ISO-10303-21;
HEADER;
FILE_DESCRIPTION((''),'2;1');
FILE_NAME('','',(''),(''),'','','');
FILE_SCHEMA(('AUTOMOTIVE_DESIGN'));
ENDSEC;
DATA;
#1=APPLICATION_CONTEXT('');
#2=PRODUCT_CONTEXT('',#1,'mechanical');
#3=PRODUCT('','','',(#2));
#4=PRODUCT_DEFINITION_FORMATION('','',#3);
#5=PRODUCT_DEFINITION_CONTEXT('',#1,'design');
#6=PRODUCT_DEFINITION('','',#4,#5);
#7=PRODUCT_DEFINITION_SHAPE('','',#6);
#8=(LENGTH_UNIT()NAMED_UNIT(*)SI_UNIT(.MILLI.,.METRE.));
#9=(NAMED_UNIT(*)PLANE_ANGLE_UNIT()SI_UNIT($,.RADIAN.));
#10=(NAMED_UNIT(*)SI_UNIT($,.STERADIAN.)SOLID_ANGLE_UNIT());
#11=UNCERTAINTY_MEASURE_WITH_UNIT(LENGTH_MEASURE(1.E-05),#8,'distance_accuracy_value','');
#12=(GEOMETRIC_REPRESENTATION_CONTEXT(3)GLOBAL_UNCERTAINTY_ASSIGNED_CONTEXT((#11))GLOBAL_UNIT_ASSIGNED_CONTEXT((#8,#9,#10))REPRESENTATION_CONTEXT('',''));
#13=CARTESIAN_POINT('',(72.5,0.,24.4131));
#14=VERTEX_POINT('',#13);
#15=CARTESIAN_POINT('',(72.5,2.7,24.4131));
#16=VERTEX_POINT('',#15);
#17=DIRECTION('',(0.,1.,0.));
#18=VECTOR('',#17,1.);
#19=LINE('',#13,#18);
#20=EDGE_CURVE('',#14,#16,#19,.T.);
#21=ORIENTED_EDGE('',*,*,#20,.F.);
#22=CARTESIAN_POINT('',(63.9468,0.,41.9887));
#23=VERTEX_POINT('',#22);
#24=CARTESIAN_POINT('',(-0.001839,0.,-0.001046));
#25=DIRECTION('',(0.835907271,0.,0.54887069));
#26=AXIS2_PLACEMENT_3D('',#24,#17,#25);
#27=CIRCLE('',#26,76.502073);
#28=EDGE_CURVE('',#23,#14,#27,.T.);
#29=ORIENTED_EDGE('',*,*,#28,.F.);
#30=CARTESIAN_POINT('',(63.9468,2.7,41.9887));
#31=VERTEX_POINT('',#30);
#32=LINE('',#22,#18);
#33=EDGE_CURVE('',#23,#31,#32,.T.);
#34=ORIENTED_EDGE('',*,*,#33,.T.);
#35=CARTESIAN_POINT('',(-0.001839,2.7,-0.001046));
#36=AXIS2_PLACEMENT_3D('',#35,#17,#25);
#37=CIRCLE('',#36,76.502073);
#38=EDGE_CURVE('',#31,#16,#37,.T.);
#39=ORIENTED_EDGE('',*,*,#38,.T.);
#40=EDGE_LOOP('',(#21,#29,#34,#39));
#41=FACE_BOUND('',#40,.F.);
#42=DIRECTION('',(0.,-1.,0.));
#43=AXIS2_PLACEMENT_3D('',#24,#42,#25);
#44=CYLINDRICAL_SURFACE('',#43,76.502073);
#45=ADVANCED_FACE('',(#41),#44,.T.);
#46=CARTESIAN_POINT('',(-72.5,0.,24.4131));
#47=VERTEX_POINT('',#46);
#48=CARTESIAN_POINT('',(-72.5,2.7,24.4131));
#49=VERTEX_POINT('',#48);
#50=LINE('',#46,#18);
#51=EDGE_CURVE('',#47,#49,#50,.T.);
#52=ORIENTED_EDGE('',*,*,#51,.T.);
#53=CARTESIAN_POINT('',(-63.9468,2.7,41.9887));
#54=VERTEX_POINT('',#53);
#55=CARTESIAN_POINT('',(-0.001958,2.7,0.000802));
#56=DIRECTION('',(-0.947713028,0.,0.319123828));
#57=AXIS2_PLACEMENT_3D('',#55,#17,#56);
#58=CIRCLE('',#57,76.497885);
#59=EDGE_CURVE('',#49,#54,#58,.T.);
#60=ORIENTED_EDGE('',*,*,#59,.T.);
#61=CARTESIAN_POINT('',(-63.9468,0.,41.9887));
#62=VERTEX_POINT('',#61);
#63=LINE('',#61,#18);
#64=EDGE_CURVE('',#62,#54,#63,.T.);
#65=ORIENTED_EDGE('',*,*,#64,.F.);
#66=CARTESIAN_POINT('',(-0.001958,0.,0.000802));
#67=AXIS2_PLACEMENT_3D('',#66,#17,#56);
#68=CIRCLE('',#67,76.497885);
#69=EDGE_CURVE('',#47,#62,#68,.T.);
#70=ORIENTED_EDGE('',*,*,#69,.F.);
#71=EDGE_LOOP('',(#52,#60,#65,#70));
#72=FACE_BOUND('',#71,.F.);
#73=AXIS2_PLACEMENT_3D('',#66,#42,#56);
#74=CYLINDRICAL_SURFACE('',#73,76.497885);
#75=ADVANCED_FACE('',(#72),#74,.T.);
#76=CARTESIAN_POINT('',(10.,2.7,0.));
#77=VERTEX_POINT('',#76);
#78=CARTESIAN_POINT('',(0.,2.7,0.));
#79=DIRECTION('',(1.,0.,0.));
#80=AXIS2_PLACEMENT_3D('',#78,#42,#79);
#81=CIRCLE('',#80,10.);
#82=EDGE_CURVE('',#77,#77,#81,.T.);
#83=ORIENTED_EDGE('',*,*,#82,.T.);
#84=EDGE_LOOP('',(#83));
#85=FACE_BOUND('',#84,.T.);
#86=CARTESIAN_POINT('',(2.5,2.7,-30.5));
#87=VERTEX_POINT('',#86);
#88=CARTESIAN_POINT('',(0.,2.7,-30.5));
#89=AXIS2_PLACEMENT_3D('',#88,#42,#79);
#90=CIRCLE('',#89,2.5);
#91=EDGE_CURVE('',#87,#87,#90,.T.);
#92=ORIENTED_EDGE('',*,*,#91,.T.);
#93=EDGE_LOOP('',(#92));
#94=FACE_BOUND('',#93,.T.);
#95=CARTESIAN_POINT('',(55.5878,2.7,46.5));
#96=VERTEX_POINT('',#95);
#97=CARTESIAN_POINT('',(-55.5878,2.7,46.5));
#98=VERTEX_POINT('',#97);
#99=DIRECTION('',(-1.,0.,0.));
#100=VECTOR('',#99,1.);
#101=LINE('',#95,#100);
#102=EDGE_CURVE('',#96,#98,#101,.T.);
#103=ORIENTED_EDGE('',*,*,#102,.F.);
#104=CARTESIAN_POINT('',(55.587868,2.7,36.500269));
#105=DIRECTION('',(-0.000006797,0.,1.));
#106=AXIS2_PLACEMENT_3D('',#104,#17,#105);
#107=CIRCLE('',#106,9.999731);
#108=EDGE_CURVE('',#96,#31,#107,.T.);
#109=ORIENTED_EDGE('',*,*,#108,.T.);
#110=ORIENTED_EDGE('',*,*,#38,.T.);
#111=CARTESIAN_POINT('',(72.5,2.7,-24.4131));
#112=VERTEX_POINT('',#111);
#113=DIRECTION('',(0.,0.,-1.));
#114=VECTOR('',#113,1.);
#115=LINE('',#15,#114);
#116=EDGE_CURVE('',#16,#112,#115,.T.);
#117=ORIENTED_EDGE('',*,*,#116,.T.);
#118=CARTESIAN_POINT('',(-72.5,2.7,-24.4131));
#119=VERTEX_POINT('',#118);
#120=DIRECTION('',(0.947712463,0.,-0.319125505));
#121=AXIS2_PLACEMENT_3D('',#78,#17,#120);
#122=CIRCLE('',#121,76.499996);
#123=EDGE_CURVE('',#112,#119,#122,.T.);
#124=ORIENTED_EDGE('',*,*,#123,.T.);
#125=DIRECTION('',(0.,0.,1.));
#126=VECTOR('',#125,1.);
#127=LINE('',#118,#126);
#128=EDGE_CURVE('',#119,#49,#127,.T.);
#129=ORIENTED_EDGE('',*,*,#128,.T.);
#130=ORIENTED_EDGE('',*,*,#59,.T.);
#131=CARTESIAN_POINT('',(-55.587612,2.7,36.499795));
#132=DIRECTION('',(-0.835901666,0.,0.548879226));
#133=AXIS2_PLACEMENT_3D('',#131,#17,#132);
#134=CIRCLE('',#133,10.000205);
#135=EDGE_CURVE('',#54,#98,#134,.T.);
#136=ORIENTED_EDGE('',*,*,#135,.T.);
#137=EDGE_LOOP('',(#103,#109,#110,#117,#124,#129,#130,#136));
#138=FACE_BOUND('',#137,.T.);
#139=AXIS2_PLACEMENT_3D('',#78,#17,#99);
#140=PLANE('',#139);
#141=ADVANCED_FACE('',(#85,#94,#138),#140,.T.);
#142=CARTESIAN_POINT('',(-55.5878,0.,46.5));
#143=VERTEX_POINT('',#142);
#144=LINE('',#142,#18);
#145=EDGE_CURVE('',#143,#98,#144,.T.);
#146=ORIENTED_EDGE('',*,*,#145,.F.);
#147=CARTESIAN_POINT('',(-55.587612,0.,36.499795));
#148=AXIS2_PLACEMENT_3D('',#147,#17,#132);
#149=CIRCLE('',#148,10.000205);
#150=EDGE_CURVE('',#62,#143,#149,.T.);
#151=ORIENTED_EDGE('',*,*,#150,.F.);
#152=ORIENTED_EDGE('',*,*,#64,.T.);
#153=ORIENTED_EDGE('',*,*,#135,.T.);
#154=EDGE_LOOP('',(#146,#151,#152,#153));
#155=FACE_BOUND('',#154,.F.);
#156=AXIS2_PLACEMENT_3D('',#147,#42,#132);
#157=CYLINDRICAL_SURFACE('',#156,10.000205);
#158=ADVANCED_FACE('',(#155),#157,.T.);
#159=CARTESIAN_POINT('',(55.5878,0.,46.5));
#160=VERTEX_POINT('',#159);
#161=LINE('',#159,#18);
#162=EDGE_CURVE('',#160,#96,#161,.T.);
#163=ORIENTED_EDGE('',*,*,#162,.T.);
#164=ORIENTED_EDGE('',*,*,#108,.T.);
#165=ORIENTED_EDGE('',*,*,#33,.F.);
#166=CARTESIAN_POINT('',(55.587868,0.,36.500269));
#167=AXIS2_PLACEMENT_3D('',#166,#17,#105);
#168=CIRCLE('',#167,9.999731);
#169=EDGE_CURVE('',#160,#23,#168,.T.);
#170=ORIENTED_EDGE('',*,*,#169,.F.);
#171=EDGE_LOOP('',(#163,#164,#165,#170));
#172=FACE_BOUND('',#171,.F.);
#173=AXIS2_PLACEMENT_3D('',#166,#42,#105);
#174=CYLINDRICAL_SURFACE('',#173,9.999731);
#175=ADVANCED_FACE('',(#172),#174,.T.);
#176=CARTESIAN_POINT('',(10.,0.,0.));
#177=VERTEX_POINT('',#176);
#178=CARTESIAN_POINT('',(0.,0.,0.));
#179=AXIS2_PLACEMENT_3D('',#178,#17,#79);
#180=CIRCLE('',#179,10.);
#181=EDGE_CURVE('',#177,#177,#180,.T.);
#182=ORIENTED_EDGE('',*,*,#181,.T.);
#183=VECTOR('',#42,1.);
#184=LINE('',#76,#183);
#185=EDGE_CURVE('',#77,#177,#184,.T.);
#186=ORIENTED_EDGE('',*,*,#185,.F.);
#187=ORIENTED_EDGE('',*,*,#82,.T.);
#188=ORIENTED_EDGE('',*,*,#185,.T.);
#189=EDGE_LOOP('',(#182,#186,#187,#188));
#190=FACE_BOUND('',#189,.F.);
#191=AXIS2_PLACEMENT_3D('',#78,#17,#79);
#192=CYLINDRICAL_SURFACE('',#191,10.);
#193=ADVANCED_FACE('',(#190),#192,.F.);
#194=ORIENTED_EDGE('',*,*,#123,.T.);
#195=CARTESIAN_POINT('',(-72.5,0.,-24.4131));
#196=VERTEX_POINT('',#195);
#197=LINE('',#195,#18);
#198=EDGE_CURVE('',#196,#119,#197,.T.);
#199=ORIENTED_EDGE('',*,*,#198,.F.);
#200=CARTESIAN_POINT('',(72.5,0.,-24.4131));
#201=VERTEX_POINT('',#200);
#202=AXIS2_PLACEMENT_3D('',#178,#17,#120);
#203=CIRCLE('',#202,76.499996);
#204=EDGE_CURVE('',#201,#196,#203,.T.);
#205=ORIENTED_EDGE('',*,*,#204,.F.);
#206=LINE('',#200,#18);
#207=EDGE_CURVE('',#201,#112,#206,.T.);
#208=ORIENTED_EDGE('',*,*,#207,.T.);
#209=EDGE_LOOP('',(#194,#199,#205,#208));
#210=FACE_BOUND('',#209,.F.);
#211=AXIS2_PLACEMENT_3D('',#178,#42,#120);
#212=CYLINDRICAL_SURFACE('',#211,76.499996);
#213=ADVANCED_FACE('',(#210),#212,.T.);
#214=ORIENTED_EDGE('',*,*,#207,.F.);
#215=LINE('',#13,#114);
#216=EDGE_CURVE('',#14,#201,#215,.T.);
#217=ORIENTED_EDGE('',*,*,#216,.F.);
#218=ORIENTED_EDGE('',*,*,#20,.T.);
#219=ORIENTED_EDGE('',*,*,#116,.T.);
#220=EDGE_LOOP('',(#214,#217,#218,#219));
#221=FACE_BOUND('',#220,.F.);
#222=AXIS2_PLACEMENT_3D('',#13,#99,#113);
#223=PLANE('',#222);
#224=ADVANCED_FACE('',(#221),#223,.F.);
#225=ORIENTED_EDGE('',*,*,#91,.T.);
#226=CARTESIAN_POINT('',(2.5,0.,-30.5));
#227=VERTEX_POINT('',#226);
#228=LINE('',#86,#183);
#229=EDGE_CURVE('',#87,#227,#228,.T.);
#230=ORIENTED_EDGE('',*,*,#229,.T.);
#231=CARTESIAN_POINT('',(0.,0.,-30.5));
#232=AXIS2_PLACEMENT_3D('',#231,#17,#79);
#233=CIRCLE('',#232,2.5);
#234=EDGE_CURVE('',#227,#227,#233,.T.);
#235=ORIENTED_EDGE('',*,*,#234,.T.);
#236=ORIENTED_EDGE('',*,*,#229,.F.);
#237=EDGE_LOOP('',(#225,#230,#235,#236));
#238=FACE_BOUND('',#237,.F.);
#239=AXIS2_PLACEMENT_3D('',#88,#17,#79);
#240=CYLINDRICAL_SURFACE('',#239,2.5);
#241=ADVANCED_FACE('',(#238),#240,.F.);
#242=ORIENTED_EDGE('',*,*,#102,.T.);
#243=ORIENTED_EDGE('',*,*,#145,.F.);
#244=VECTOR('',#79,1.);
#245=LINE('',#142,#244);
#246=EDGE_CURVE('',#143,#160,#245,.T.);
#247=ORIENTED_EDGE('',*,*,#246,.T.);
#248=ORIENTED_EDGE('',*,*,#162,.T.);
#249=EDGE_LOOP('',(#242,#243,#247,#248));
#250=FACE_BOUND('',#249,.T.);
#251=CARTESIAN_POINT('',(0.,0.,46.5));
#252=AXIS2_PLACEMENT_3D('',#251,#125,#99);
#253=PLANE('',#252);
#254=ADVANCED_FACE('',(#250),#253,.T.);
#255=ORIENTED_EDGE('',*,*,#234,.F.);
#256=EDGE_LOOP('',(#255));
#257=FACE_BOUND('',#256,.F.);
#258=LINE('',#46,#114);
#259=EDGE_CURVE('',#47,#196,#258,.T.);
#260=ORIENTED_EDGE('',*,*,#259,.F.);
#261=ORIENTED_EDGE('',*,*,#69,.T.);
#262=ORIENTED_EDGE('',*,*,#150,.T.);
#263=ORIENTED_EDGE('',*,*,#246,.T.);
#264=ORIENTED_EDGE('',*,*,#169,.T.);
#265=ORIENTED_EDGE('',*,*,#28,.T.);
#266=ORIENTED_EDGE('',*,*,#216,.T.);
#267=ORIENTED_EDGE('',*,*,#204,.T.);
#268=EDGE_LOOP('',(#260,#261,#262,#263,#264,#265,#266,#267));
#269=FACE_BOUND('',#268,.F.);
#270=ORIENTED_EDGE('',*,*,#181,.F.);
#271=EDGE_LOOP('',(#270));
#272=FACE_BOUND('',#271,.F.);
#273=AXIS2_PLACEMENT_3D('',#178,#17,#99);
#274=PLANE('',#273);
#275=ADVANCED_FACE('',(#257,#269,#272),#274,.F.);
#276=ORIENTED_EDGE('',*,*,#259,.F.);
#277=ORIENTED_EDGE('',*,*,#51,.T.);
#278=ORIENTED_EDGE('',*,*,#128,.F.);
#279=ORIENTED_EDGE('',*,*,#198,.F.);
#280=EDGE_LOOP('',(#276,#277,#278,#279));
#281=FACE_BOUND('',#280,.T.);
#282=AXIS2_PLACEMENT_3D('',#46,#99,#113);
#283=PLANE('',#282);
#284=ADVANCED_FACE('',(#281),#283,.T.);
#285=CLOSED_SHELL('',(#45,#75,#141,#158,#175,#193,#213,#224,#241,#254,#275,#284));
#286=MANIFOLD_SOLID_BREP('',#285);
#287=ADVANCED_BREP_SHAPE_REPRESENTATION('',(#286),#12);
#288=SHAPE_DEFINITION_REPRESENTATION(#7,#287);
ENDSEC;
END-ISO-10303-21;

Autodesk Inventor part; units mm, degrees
ref_plane "YZ Plane" through (0, 0, 0) normal (1, 0, 0) x (0, 1, 0)
ref_plane "XZ Plane" through (0, 0, 0) normal (0, 1, 0) x (-1, 0, 0)
ref_plane "XY Plane" through (0, 0, 0) normal (0, 0, 1) x (1, 0, 0)
sketch "Sketch3" plane through (0, 0, 0) normal (0, 1, 0) x (-1, 0, 0)
  line L0 (0, 0) -> (72.5, 0)
  line L1 (0, 0) -> (0, 46.5)
  line L2 (72.5, 24.4131) -> (72.5, -24.4131)
  line L3 (0, 46.5) -> (55.5878, 46.5)
  line L4 (-72.5, 24.4131) -> (-72.5, -24.4131)
  line L5 (0, 46.5) -> (-55.5878, 46.5)
  arc A0 (72.5, 24.4131) -> (63.9468, 41.9887) centre (0, 0) ccw
  arc A1 (-63.9468, 41.9887) -> (-72.5, 24.4131) centre (0, 0) ccw
  arc A2 (-72.5, -24.4131) -> (72.5, -24.4131) centre (0, 0) ccw
  arc A3 (63.9468, 41.9887) -> (55.5878, 46.5) centre (55.5878, 36.5) ccw
  arc A4 (-55.5878, 46.5) -> (-63.9468, 41.9887) centre (-55.5878, 36.5) ccw
  point P0 (60.7454, 46.5)
  point P1 (-60.7454, 46.5)
  dimension "d28" = 72.5
  dimension "d29" = 46.5
  dimension "d30" = 10
  dimension "d31" = 10
  dimension "d32" = 76.5
  dimension "d34" = 72.5
  dimension "d35" = 76.5
extrude "Extrusion2" add sketch "Sketch3" along normal blind 2.7
sketch "Sketch4" plane through (0, 2.7, 0) normal (0, 1, 0) x (1, 0, 0)
  line L0 (-55.5878, -46.5) -> (55.5878, -46.5) projected
  line L1 (0, -46.5) -> (0, 0)
  circle A0 centre (0, 0) radius 10
  arc A1 (72.5, 24.4131) -> (-72.5, 24.4131) centre (0, 0) ccw projected
  line L2 (0, 76.5) -> (0, 30.5)
  circle A2 centre (0, 30.5) radius 2.5
  dimension "d36" = 20
  dimension "d37" = 46
  dimension "d38" = 5
extrude "Extrusion3" cut sketch "Sketch4" against normal blind 10
properties part number "tapa_carcasa_4.0"
